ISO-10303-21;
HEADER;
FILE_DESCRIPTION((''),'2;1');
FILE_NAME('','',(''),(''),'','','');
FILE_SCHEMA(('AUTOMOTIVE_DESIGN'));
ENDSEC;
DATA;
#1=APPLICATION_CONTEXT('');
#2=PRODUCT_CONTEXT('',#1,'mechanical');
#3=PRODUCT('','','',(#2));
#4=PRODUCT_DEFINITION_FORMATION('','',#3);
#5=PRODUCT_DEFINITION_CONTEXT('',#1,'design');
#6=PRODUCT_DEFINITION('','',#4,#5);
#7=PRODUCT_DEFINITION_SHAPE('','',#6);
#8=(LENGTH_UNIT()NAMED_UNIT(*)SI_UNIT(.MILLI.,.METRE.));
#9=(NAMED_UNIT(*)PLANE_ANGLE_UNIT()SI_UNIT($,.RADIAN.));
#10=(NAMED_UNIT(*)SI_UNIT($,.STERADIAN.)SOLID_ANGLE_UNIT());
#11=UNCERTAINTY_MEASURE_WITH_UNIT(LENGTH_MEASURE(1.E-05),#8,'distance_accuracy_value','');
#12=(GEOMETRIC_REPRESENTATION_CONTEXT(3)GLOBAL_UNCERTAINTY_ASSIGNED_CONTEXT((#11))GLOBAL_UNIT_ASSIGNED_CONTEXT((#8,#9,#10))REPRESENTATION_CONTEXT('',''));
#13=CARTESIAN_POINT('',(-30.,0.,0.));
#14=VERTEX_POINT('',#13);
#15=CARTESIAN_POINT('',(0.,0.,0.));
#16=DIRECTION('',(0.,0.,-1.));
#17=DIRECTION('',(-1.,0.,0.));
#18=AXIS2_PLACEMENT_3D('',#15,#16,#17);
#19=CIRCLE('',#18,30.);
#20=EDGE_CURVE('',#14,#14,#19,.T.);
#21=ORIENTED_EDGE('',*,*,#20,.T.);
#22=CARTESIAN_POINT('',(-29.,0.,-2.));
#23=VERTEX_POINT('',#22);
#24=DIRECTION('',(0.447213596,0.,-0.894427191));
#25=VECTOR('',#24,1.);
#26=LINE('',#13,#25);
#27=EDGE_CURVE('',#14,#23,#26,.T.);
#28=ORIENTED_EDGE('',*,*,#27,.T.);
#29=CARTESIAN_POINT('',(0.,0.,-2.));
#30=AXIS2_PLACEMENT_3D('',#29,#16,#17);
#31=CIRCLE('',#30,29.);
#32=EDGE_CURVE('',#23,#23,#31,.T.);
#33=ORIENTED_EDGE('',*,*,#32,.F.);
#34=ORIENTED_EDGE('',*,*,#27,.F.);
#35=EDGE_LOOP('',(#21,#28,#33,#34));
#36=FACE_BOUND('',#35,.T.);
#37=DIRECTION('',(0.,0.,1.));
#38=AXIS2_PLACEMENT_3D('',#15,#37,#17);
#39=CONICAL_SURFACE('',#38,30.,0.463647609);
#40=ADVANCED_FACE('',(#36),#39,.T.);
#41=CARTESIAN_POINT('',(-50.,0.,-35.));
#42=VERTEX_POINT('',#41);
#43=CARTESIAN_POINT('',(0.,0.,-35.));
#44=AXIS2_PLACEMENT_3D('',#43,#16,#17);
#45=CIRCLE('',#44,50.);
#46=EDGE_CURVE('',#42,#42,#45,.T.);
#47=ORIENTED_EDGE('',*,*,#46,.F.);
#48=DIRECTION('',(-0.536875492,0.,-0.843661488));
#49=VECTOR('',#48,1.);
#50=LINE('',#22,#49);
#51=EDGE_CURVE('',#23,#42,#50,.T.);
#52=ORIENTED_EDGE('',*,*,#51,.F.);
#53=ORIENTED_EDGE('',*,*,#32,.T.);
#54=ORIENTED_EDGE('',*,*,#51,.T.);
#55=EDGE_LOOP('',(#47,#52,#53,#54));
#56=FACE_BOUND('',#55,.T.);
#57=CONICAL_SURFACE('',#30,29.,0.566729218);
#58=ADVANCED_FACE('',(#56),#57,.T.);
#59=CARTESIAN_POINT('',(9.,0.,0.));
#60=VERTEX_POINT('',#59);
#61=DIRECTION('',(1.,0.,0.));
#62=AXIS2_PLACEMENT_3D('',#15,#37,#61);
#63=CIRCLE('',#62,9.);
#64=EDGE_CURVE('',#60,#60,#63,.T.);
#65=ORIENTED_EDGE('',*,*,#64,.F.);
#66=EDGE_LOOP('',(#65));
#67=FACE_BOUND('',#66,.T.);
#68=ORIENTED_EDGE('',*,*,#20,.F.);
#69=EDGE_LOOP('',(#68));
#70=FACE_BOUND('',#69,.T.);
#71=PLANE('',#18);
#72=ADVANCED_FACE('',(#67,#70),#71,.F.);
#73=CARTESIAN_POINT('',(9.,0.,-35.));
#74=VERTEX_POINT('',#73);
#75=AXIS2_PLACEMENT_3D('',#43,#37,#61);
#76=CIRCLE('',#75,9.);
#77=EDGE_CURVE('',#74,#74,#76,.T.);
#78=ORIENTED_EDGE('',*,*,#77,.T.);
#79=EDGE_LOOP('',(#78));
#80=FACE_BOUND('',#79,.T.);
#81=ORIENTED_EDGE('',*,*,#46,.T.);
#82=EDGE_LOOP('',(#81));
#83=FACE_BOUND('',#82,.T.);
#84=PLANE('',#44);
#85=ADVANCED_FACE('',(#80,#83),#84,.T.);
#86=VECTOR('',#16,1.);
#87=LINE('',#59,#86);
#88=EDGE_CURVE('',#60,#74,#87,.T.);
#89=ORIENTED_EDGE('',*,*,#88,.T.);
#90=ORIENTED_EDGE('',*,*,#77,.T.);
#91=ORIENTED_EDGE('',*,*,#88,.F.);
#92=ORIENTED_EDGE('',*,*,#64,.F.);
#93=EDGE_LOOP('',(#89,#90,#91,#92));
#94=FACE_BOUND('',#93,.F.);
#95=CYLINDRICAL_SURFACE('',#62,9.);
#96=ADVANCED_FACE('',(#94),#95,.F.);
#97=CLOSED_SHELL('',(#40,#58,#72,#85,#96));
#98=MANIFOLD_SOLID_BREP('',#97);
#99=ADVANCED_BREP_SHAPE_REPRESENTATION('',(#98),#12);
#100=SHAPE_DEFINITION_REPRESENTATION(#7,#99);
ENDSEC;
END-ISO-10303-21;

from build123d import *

# Parameters (mm, degrees)
F2_R     = 9
F3_DEPTH = 35.001


with BuildPart() as f1:
    # F0 (on Front) → F1 (revolve)
    with BuildSketch(Plane.XZ):
        Polygon((0, -35), (0, 0), (-30, 0), (-29, -2), (-50, -35), align=None)
    revolve(axis=Axis((0, 0, -17.5), (0, 0, -1)))

    # F2 (on face) → F3 (cut, through all)
    with BuildSketch(Plane.XY):
        Circle(F2_R)
    extrude(amount=-F3_DEPTH, mode=Mode.SUBTRACT)


solid = f1.part
